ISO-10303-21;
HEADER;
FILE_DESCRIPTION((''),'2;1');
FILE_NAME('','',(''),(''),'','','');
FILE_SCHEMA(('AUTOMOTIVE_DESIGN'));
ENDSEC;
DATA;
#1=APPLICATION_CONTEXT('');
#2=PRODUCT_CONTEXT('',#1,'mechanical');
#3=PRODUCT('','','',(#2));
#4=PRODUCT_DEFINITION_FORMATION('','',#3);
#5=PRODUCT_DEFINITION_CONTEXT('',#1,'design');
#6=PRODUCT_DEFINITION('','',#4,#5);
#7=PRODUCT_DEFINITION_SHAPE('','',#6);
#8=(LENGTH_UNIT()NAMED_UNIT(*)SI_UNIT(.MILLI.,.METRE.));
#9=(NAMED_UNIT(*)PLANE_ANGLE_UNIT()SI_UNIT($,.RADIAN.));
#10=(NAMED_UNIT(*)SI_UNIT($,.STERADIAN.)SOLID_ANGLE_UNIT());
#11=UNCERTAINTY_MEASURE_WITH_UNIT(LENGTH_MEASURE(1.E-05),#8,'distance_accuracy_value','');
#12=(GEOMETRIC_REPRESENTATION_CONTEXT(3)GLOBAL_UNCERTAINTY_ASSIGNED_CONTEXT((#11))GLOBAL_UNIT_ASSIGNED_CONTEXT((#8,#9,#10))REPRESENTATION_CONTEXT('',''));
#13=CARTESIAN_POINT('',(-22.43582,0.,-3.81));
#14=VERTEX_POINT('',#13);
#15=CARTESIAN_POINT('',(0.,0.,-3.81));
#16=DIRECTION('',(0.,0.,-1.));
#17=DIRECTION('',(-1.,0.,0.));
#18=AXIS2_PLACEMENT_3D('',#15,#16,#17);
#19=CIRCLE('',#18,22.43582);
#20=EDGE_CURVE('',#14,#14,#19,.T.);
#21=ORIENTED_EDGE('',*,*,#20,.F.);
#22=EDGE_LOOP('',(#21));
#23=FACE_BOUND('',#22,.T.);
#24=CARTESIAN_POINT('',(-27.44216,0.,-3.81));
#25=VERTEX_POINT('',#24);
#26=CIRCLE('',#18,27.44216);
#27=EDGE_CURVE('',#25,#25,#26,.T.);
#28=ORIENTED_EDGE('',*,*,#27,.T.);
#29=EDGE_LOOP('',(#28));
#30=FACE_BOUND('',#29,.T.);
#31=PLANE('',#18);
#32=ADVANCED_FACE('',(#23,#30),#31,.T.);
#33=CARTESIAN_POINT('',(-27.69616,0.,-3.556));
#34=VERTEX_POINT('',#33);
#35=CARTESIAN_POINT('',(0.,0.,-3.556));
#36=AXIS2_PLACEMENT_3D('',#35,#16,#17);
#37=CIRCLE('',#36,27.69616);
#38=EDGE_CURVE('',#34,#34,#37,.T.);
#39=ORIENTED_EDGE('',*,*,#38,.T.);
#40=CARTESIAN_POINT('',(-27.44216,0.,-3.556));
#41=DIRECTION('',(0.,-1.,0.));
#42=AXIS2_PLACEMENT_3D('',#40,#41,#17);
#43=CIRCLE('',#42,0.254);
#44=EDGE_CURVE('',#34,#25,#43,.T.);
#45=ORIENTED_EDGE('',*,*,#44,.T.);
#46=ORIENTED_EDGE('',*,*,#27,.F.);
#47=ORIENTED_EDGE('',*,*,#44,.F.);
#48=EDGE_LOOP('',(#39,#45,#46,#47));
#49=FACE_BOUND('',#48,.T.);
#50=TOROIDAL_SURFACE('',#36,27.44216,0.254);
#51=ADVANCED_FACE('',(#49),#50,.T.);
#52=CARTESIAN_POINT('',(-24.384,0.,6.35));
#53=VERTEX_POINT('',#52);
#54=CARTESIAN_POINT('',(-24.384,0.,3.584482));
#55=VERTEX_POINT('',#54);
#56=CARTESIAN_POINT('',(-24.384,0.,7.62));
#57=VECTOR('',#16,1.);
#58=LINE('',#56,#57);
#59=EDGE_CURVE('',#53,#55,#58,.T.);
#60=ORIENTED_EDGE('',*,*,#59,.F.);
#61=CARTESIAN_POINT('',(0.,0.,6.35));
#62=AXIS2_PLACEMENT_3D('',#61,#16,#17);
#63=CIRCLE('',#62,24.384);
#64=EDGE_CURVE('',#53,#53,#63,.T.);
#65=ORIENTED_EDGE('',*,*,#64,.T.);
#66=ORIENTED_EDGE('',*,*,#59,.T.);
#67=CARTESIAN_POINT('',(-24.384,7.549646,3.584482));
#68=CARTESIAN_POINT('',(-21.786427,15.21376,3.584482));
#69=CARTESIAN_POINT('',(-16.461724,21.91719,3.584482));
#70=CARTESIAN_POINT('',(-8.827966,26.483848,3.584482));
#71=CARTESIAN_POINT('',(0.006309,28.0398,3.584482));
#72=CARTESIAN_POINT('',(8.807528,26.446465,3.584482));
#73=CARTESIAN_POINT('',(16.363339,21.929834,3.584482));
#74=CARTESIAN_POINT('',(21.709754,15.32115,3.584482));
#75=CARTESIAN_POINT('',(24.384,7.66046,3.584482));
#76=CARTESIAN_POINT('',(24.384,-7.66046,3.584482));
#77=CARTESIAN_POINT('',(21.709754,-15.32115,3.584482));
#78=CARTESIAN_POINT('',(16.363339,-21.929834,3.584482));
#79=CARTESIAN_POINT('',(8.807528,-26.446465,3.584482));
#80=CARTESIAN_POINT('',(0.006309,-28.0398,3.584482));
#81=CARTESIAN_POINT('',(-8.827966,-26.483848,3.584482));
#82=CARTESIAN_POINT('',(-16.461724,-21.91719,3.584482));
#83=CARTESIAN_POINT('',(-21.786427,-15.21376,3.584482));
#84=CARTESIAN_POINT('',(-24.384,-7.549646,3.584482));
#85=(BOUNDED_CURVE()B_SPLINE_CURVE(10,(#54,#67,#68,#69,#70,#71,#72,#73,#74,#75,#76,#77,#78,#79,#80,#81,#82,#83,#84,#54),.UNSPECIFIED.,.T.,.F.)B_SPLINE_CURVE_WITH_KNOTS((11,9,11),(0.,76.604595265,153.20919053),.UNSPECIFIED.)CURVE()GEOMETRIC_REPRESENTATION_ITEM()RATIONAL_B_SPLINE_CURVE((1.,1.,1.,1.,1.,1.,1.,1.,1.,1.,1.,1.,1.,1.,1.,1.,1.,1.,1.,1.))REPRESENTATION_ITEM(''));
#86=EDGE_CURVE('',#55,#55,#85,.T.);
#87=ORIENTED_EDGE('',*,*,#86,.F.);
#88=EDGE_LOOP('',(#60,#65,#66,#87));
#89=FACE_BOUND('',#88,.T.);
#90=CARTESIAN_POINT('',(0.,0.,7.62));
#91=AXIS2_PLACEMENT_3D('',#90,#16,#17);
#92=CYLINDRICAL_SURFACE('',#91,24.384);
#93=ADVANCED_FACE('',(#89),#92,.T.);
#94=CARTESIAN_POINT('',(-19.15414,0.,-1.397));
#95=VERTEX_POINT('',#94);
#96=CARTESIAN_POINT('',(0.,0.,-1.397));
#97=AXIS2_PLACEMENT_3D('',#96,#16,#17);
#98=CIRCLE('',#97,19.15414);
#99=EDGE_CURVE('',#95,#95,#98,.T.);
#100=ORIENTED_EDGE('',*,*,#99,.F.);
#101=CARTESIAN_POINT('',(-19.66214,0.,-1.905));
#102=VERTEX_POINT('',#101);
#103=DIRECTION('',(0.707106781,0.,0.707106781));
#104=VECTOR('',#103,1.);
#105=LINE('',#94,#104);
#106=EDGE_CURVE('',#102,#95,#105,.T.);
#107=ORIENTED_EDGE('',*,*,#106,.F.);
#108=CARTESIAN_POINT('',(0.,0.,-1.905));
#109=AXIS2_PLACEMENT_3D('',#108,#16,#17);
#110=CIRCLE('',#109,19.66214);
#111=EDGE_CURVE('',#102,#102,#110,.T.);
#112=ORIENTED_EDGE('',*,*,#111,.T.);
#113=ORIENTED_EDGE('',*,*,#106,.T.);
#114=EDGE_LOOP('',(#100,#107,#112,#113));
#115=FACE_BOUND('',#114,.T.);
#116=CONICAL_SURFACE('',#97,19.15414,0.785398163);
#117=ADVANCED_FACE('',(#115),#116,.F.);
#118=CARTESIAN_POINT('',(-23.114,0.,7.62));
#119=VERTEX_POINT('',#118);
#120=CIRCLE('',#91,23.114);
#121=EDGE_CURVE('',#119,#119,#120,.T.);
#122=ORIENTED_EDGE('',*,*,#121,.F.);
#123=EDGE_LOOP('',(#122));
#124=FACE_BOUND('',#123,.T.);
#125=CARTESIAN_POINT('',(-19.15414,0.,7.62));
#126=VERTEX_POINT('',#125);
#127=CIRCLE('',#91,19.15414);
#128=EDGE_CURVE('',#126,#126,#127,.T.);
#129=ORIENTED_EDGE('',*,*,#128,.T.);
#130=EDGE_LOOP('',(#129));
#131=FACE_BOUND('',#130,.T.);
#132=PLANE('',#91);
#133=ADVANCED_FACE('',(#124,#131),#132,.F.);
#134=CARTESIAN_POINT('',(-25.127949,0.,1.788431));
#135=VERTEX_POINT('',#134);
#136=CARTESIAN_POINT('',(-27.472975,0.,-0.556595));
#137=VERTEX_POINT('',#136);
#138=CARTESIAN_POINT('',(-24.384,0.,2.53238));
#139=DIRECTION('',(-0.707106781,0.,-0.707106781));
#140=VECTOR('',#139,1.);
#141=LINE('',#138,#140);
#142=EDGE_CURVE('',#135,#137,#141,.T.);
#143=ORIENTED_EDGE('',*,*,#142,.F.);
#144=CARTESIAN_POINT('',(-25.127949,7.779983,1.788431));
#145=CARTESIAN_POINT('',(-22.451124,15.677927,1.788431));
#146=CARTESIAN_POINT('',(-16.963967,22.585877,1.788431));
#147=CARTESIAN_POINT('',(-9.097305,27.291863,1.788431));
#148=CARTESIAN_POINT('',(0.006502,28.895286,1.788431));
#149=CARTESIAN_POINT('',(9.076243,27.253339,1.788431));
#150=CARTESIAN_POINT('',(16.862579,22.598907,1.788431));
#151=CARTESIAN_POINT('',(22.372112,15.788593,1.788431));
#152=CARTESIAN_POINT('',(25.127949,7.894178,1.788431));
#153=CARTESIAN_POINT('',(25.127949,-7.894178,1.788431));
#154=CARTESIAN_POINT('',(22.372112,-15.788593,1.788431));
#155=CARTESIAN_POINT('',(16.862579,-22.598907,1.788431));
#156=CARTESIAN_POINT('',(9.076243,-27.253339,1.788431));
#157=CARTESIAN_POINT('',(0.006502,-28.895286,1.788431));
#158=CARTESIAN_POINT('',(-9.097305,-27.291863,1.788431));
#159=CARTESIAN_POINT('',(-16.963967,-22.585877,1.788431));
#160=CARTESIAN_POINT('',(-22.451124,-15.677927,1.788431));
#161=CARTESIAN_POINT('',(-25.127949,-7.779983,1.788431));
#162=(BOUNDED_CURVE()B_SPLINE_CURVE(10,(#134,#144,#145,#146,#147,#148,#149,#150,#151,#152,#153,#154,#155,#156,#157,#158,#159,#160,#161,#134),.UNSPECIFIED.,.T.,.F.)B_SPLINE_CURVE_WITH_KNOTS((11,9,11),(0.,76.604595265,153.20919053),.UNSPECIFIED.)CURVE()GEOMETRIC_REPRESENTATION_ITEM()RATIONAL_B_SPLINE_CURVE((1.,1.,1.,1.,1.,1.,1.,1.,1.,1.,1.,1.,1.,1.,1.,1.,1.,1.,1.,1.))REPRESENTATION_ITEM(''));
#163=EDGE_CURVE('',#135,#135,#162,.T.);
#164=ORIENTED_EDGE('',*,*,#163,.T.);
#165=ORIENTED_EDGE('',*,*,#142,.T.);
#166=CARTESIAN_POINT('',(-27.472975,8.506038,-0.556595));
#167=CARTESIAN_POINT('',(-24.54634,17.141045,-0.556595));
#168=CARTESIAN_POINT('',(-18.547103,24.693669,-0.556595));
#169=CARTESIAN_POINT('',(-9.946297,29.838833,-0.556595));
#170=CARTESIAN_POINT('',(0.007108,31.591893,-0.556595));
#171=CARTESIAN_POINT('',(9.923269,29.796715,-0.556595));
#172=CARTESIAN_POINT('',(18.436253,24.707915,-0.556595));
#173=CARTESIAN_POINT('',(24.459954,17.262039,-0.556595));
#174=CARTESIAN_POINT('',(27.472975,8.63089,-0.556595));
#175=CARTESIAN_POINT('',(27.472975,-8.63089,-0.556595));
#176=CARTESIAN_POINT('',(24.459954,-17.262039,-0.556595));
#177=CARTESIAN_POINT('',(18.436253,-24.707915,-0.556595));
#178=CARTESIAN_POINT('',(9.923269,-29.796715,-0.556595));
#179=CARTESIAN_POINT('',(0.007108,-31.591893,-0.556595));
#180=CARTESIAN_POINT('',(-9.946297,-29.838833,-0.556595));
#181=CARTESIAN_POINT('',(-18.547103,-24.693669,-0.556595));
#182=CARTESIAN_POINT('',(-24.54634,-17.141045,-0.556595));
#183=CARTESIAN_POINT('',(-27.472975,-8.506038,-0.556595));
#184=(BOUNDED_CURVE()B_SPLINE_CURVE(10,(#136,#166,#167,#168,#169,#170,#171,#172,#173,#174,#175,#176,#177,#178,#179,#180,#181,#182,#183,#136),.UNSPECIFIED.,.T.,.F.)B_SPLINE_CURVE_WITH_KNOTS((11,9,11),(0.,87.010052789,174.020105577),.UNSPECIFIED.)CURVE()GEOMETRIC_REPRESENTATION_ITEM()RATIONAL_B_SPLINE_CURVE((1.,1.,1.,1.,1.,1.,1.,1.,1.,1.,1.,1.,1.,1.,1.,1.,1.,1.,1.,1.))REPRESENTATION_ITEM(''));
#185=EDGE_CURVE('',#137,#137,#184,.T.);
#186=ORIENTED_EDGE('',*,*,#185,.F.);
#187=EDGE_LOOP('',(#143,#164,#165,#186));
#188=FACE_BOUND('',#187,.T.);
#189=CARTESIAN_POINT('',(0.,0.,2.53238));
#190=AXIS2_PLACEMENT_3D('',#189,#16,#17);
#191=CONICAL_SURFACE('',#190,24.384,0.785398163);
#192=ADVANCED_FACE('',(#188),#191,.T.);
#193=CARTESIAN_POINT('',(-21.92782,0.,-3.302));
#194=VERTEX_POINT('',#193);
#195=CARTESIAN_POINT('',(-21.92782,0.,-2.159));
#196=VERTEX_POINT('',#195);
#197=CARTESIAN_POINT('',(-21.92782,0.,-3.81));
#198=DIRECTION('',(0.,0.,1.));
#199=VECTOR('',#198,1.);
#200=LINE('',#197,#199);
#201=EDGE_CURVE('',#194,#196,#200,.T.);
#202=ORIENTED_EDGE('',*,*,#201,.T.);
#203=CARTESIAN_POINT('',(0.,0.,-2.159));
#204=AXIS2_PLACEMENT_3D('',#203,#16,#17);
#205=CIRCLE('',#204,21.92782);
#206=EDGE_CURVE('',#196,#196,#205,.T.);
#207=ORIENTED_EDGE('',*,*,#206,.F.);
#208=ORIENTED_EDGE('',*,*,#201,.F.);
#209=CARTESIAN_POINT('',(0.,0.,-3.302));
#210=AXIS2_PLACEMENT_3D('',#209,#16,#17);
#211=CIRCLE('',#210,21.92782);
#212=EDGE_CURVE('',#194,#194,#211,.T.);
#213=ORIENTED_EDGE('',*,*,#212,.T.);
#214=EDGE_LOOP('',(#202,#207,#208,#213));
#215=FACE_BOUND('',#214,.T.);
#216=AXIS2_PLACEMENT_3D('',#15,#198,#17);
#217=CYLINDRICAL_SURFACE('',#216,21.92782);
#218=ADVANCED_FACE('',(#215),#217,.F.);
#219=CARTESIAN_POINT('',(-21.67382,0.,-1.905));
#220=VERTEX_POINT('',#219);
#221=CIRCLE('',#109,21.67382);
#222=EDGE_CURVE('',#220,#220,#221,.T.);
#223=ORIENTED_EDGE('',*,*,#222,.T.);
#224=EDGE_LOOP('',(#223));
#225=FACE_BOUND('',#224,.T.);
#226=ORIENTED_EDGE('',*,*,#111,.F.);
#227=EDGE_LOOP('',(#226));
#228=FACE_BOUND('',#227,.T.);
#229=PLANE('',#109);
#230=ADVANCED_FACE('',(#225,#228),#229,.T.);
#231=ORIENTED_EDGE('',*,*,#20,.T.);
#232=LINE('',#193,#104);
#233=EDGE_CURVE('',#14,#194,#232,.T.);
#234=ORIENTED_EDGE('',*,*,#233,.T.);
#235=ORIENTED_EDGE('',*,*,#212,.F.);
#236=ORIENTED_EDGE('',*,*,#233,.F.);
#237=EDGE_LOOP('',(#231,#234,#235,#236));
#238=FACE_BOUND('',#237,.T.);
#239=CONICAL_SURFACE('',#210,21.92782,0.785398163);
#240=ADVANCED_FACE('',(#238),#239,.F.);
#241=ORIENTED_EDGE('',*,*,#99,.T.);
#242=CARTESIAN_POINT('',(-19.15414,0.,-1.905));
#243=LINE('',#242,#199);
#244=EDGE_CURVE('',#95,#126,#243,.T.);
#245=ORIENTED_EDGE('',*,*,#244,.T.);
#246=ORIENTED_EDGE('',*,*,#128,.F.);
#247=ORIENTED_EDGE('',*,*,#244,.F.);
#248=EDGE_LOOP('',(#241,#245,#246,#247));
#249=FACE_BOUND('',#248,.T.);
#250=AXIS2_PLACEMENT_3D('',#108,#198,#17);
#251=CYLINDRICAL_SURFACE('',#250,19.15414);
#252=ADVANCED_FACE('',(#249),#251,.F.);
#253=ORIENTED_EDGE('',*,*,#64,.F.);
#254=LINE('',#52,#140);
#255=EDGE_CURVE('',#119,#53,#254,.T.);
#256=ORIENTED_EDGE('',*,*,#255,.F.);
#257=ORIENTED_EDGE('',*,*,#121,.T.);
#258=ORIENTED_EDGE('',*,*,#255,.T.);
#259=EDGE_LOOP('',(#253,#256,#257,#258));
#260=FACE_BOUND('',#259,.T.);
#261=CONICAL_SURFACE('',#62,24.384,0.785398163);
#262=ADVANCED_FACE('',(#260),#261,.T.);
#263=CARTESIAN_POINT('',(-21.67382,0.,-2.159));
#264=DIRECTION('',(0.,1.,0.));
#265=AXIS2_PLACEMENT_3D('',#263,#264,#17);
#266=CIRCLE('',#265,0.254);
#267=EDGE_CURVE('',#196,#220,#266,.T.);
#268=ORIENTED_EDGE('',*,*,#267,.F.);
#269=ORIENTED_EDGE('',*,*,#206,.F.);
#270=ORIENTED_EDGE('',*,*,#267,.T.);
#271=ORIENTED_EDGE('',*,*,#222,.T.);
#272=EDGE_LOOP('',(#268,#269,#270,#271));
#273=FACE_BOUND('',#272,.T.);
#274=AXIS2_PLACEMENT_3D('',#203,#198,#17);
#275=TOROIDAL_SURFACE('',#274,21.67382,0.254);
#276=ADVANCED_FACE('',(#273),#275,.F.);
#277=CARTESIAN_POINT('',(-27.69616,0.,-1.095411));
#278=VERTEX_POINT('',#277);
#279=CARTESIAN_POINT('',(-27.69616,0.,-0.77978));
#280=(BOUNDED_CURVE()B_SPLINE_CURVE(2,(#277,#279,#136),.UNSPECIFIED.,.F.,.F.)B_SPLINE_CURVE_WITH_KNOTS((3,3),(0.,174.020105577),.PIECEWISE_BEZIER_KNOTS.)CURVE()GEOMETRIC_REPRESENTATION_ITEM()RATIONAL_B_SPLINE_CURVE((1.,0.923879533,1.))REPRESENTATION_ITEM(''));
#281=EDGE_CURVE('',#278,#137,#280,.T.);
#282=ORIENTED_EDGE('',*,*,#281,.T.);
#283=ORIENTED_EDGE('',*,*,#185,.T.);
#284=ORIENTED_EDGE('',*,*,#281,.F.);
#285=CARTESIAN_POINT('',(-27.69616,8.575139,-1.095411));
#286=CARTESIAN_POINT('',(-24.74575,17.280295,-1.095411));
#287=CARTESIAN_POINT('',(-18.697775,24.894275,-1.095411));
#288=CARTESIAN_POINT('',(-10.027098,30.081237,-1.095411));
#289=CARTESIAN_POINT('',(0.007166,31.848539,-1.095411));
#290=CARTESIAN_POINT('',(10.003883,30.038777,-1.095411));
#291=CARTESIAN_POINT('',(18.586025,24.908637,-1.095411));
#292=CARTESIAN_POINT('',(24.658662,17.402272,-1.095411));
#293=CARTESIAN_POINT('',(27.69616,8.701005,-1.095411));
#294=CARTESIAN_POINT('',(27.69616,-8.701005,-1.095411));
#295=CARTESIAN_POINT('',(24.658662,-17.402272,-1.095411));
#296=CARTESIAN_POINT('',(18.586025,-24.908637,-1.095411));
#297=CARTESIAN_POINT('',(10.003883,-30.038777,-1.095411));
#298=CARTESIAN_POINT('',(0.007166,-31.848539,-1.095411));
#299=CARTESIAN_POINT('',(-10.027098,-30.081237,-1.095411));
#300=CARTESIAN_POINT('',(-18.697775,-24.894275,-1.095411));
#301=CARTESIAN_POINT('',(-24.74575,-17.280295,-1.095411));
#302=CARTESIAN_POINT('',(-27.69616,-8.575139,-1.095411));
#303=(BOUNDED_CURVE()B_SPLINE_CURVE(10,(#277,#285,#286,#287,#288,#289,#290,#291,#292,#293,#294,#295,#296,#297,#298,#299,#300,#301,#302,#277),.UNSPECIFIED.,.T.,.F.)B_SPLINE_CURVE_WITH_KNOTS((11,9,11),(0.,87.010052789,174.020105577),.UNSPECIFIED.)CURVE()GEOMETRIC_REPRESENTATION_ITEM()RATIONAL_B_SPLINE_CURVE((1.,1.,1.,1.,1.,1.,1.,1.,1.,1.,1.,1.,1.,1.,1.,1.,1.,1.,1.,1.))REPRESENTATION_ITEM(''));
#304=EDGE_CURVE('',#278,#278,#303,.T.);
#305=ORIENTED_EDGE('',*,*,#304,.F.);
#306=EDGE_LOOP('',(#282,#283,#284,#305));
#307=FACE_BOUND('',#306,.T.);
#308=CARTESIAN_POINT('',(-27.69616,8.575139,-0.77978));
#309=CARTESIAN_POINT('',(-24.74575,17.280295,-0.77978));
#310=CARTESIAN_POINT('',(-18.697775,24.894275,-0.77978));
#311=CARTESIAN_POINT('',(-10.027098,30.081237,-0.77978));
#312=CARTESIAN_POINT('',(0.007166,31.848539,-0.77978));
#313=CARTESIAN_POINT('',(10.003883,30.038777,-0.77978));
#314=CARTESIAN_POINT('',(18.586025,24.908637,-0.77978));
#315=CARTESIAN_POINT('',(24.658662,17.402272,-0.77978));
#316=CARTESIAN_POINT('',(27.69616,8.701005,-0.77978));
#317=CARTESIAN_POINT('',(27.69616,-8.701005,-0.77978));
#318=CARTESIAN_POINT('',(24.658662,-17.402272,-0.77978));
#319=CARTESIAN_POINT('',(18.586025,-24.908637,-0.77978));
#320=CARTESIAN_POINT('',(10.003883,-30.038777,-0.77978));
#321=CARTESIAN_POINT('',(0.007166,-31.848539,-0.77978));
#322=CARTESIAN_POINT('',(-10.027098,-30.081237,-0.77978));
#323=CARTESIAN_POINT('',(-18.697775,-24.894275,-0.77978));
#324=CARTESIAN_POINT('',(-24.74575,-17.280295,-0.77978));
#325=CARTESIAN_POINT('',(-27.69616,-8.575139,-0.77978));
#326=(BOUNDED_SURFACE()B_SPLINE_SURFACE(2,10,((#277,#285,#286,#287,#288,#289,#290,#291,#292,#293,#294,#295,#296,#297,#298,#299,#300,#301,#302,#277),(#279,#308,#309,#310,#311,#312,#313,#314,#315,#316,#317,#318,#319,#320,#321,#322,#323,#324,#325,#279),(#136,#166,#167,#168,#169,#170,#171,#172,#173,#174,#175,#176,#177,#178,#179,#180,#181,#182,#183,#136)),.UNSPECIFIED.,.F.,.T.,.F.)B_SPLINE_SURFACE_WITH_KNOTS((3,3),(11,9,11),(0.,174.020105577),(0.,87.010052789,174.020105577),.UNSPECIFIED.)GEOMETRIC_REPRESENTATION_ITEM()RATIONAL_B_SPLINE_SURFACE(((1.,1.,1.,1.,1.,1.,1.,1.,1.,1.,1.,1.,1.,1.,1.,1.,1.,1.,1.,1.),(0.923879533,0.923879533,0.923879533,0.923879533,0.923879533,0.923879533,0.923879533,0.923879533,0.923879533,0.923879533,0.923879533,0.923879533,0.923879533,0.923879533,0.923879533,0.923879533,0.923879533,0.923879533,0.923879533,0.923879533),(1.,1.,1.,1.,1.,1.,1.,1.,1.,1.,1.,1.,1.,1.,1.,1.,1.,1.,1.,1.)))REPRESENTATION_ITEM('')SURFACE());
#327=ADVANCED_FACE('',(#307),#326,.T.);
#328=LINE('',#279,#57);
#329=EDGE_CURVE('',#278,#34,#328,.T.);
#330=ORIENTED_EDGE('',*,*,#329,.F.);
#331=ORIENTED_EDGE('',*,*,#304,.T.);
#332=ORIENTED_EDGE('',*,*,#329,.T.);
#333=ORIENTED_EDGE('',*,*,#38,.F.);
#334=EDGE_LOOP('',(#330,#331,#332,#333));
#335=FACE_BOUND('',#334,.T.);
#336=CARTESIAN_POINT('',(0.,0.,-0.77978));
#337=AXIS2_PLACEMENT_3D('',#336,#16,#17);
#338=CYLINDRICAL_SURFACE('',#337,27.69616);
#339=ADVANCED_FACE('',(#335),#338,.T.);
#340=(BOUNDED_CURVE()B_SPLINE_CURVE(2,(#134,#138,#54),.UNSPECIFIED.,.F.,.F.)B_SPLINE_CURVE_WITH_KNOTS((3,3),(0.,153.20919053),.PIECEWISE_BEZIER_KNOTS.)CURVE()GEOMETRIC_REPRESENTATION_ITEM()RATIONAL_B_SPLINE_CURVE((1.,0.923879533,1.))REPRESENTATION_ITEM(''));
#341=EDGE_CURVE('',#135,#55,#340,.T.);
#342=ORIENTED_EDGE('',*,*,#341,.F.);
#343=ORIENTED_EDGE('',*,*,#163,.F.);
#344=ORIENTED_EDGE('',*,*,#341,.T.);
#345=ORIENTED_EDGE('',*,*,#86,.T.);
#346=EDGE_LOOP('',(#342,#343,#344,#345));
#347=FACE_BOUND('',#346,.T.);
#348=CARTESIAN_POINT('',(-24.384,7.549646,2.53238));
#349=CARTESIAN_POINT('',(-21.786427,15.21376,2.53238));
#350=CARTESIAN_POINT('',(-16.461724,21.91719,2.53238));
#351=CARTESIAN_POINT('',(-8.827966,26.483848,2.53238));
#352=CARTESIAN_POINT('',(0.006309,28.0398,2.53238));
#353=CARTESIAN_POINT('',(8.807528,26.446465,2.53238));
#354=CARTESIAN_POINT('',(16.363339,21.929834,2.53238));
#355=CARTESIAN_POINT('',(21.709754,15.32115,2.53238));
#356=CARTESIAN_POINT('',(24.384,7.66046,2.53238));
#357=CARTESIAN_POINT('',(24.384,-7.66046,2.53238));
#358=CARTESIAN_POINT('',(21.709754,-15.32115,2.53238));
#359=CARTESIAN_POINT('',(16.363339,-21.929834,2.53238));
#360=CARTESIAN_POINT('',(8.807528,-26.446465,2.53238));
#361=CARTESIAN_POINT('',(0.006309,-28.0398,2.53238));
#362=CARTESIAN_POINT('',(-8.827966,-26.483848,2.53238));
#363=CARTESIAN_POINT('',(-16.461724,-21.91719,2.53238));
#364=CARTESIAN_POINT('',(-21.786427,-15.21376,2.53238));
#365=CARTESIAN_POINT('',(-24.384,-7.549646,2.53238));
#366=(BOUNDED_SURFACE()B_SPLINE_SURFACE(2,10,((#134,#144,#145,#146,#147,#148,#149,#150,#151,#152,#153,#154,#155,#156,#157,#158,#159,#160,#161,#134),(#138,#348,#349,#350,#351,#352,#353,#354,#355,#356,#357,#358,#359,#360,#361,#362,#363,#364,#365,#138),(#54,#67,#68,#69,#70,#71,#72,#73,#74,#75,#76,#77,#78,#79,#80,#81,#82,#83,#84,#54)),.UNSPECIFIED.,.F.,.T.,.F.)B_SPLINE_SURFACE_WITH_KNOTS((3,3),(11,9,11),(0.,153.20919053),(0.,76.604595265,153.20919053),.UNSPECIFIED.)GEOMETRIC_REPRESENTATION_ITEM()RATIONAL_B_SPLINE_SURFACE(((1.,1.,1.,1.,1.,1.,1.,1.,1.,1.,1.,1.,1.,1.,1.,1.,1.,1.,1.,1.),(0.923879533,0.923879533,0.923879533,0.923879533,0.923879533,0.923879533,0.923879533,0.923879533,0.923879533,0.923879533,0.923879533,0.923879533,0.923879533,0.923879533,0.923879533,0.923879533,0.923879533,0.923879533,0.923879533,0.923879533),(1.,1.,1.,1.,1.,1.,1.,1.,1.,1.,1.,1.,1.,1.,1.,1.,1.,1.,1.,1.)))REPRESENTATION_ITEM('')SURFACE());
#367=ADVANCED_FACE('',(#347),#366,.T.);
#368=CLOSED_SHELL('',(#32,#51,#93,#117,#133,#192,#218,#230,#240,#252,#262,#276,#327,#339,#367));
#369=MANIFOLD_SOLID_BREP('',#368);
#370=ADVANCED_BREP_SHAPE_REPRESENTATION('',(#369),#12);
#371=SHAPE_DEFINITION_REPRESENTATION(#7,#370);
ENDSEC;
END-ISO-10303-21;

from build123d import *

# Parameters (mm, degrees)
F1_R    = 0.762
F2_R    = 2.54
F7_R    = 0.254
F3_SIZE = 0.508
F4_R    = 0.254
F5_SIZE = 1.27


with BuildPart() as f6:
    # F0 (on Front) → F6 (revolve)
    with BuildSketch(Plane.XZ):
        Polygon((-27.69616, -0.77978), (-27.69616, -3.81), (-21.92782, -3.81), (-21.92782, -1.905), (-19.15414, -1.905), (-19.15414, 7.62), (-24.384, 7.62), (-24.384, 2.53238), align=None)
    revolve(axis=Axis((0, 0, 5.998353), (0, 0, -1)))

    # F1
    f1_edges = [f6.edges().sort_by_distance(p)[0] for p in [
        (27.69616, 0, -0.77978),
    ]]
    fillet(f1_edges, radius=F1_R)

    # F2
    f2_edges = [f6.edges().sort_by_distance(p)[0] for p in [
        (24.384, 0, 2.53238),
    ]]
    fillet(f2_edges, radius=F2_R)

    # F7
    f7_edges = [f6.edges().sort_by_distance(p)[0] for p in [
        (27.69616, 0, -3.81),
    ]]
    fillet(f7_edges, radius=F7_R)

    # F3
    f3_edges = [f6.edges().sort_by_distance(p)[0] for p in [
        (21.92782, 0, -3.81),
        (19.15414, 0, -1.905),
    ]]
    chamfer(f3_edges, length=F3_SIZE)

    # F4
    f4_edges = [f6.edges().sort_by_distance(p)[0] for p in [
        (21.92782, 0, -1.905),
    ]]
    fillet(f4_edges, radius=F4_R)

    # F5
    f5_edges = [f6.edges().sort_by_distance(p)[0] for p in [
        (24.384, 0, 7.62),
    ]]
    chamfer(f5_edges, length=F5_SIZE)


solid = f6.part
